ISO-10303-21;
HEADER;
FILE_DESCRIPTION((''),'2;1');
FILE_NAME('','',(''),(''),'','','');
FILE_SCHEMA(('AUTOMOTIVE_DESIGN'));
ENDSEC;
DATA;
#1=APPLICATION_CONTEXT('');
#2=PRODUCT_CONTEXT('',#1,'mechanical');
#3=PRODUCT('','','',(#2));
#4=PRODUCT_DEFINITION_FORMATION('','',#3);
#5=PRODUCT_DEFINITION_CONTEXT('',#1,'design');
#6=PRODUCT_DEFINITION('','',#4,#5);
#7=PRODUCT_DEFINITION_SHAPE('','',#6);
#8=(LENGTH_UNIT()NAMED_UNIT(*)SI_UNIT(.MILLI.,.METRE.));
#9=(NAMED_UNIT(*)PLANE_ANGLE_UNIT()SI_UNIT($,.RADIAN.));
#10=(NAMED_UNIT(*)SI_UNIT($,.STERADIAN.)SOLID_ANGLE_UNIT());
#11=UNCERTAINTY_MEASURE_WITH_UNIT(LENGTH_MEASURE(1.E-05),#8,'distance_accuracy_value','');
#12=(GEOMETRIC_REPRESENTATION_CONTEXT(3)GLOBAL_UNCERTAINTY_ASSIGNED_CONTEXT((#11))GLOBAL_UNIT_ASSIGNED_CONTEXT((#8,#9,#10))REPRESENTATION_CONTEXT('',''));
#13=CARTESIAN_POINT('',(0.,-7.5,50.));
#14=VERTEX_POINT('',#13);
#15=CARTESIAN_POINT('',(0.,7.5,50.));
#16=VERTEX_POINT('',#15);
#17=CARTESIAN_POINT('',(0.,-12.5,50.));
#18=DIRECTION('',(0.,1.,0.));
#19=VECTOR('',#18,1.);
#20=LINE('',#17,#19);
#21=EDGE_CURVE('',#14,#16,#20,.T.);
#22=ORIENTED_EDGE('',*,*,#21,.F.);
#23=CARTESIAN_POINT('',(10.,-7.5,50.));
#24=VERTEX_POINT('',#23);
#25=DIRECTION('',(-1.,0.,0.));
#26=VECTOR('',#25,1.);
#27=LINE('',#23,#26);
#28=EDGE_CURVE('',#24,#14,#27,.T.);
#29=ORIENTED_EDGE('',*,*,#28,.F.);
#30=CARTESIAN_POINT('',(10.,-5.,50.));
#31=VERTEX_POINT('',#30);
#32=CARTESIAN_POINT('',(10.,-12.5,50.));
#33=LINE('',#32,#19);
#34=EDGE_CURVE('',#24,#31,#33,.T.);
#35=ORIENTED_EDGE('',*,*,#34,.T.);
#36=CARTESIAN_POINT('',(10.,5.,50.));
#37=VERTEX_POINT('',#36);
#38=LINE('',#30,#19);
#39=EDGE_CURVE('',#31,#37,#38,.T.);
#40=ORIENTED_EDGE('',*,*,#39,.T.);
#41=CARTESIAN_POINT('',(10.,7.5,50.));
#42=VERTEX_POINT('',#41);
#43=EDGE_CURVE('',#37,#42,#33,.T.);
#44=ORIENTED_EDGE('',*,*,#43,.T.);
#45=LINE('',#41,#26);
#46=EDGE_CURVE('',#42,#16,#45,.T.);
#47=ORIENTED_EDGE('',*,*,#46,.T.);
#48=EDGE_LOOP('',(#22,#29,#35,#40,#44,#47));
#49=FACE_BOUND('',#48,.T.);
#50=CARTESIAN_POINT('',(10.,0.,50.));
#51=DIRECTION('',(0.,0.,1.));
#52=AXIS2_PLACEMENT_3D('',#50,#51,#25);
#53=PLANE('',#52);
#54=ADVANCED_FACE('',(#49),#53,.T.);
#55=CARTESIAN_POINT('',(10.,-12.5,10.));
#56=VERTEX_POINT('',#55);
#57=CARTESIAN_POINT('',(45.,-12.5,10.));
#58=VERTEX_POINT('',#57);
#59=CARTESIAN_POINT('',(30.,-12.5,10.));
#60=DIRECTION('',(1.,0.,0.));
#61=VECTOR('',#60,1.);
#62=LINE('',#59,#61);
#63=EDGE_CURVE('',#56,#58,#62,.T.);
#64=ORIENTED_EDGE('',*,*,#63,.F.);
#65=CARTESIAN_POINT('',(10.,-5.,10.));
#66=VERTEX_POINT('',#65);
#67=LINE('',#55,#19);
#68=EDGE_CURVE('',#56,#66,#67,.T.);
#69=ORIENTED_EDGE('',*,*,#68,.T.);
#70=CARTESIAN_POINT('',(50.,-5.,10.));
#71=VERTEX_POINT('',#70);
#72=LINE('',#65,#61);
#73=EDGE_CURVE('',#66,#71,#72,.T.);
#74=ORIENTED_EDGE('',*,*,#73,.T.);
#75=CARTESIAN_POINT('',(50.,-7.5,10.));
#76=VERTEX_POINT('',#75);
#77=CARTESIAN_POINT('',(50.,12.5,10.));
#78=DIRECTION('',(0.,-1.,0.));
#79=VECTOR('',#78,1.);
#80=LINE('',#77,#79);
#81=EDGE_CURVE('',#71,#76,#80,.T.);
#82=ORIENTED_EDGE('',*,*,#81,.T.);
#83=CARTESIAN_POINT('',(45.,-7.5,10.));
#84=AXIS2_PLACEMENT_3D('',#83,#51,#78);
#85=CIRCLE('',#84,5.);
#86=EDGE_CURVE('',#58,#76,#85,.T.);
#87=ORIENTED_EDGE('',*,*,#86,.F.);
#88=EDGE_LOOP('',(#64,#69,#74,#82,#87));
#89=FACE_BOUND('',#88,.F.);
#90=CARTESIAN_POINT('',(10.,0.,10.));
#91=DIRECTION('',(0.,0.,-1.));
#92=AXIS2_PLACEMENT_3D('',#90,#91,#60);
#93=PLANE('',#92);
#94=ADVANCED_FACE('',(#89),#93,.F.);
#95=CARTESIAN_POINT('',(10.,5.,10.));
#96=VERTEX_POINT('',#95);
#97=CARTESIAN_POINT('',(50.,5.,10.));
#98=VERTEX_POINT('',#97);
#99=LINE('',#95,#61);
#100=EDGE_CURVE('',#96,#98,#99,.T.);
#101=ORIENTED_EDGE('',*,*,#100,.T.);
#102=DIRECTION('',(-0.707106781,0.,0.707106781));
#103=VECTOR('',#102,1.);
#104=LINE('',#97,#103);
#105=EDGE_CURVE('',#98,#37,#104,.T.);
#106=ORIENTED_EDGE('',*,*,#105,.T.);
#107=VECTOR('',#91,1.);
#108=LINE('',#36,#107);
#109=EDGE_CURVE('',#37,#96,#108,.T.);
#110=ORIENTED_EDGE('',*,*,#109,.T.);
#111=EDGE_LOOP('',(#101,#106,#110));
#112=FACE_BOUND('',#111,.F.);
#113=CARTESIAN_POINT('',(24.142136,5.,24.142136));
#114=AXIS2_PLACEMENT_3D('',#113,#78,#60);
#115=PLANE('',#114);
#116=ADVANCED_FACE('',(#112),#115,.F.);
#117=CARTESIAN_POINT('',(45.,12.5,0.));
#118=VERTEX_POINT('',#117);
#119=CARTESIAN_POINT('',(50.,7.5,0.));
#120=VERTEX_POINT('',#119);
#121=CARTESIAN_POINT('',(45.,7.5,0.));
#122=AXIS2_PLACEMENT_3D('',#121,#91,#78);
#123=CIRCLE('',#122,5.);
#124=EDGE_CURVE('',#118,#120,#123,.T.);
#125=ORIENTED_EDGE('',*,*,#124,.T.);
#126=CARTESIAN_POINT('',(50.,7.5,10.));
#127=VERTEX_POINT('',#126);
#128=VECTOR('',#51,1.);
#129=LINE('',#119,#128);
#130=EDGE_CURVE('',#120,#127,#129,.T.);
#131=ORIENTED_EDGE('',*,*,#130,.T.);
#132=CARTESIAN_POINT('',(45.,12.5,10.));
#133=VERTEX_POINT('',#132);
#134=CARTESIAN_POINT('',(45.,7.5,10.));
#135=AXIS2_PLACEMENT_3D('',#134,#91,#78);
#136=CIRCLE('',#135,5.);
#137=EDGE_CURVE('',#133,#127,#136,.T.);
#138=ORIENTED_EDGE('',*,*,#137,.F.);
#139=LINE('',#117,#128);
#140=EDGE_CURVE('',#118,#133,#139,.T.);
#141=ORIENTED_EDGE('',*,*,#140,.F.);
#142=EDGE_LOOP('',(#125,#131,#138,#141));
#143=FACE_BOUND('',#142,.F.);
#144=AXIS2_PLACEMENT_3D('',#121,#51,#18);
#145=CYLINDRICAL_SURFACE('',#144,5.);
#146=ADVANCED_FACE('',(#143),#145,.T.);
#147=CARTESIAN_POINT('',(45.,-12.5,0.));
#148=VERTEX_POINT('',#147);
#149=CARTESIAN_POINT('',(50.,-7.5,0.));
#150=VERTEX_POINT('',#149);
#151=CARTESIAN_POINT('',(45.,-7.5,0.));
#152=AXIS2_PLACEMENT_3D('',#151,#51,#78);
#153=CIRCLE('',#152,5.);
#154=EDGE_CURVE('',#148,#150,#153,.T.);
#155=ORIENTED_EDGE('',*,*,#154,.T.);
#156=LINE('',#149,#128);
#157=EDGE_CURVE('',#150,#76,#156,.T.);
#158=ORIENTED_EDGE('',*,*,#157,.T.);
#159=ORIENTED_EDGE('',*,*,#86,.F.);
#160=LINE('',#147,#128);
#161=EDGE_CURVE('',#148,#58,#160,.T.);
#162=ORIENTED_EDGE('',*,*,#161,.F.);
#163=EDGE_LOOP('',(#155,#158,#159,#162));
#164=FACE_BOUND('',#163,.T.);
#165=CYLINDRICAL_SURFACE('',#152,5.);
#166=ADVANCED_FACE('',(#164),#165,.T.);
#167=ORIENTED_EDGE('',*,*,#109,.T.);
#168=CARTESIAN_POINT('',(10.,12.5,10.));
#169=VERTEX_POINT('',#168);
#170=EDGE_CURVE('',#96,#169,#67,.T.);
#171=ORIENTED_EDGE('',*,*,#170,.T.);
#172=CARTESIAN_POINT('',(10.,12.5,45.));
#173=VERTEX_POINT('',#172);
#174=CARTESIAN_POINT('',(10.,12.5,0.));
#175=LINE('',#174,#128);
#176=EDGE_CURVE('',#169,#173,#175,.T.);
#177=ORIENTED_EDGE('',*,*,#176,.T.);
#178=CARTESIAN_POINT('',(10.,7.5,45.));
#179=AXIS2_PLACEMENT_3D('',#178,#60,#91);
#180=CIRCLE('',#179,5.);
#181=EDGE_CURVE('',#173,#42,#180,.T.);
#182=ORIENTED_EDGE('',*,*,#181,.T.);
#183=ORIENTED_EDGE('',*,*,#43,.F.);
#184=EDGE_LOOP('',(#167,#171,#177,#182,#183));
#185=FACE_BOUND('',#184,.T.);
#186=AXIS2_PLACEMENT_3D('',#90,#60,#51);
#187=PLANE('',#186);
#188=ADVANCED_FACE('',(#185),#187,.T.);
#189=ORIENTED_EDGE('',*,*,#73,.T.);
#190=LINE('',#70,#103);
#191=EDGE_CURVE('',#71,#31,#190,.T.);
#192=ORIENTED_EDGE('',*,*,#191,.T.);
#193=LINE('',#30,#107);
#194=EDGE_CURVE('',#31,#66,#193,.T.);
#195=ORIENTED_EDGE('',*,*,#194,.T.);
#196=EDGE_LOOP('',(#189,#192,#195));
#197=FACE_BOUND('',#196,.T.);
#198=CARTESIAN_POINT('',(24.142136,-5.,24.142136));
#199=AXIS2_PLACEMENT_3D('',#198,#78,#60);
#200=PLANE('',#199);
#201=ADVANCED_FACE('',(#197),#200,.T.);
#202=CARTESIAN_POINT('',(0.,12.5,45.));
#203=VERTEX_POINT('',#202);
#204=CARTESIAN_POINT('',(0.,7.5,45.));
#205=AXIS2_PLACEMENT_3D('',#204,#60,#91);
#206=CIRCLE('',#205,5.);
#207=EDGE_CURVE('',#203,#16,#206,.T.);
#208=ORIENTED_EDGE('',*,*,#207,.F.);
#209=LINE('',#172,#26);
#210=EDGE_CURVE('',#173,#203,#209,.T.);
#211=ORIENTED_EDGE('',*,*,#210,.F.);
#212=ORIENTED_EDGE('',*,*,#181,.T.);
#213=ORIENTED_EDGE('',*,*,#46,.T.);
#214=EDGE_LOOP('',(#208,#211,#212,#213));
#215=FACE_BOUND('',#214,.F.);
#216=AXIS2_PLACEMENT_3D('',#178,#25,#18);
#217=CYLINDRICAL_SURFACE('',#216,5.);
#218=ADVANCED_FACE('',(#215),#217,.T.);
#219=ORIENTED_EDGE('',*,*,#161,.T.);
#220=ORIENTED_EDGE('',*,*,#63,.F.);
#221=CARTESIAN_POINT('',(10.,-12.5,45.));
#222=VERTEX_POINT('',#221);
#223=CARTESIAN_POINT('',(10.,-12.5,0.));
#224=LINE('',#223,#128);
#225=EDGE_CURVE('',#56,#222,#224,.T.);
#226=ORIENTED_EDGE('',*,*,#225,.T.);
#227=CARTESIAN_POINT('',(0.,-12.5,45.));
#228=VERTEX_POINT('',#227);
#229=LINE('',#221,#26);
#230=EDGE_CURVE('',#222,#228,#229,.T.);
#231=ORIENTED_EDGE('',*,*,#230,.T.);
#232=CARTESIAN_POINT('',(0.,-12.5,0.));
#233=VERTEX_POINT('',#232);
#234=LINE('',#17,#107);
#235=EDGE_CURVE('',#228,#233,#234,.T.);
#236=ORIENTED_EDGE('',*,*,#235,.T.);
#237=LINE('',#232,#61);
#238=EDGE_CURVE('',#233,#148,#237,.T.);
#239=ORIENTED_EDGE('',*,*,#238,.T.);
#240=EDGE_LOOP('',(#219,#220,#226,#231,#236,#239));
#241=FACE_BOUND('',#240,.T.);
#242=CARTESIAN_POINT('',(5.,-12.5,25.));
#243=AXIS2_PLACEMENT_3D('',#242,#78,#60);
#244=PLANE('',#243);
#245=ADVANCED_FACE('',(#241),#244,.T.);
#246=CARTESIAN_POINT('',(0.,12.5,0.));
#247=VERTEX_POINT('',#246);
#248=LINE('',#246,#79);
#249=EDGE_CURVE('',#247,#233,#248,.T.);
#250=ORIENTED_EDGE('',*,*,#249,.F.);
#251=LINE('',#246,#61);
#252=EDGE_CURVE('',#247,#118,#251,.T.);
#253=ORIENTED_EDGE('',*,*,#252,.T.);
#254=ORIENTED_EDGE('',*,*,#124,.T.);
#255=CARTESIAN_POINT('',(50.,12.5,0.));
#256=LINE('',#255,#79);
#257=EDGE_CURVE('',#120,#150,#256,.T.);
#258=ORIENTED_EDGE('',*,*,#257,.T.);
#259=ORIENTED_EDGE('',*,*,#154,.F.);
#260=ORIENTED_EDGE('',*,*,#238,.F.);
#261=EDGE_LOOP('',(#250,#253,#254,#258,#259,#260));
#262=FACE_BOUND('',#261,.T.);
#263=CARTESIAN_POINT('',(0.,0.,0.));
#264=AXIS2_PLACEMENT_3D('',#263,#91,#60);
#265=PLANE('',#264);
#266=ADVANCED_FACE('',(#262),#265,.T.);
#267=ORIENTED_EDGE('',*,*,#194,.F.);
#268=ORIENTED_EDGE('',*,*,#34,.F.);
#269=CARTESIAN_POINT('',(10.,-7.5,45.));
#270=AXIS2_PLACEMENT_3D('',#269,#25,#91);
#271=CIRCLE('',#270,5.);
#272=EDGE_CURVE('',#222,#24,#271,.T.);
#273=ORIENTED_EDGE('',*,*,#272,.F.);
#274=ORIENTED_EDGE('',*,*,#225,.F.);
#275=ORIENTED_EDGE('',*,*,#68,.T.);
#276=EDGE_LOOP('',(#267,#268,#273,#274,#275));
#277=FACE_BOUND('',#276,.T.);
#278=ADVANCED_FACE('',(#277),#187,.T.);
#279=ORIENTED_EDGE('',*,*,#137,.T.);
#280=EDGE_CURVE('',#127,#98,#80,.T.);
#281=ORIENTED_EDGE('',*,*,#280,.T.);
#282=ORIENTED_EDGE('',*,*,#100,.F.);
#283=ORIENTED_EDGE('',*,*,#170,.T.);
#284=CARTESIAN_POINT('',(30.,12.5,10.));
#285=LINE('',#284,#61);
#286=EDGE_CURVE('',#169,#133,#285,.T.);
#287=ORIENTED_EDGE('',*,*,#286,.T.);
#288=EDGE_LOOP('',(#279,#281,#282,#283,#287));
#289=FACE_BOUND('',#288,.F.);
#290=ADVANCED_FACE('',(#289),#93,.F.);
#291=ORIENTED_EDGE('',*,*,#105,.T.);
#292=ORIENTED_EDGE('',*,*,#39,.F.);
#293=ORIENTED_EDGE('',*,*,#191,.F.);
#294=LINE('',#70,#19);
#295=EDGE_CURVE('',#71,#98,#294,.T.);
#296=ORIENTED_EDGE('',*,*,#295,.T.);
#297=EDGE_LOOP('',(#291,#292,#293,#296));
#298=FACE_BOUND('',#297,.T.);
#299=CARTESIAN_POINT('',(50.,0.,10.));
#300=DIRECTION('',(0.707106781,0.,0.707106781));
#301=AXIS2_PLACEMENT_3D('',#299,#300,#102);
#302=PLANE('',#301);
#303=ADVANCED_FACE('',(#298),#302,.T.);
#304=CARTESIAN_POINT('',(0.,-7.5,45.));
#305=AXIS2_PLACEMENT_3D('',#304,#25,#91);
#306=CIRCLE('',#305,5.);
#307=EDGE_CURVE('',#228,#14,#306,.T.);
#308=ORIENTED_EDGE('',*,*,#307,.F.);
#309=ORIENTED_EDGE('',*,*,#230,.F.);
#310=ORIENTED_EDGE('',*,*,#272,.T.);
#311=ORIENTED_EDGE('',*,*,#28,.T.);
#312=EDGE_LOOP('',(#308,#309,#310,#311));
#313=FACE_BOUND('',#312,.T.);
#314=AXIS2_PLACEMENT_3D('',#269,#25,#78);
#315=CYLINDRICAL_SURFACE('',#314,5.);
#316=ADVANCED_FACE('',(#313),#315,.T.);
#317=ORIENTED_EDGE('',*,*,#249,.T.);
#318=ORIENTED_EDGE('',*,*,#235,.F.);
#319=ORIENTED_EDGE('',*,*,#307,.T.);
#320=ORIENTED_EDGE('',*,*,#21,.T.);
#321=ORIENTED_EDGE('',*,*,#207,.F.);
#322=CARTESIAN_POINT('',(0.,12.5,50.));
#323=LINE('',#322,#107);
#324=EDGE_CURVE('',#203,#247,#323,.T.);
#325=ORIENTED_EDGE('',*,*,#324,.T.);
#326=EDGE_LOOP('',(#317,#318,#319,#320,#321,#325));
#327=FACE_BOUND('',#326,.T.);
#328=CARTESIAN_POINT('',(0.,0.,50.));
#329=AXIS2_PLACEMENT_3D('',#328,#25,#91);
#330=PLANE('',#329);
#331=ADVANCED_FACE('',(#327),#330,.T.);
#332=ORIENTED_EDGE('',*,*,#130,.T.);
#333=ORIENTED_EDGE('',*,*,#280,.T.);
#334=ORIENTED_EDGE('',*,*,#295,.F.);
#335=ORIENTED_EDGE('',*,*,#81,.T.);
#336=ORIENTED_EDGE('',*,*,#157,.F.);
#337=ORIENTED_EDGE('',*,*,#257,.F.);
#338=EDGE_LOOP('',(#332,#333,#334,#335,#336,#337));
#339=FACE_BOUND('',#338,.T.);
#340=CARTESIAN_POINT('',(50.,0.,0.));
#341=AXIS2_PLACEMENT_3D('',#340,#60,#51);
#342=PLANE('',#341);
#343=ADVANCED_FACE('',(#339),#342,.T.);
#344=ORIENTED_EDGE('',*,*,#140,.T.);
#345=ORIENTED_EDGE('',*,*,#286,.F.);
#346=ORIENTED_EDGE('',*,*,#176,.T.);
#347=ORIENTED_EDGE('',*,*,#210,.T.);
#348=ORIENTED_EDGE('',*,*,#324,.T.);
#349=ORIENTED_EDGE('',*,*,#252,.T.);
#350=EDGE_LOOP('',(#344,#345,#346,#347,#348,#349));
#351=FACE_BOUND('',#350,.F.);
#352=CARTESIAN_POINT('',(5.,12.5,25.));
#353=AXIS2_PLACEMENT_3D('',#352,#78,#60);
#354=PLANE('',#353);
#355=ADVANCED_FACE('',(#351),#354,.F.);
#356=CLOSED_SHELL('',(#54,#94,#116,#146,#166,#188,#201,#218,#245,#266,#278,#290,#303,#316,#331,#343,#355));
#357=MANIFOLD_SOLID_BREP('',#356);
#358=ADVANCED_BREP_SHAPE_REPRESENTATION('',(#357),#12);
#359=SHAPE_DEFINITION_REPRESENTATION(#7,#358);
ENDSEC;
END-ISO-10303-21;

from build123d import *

# Parameters (mm, degrees)
F0_W     = 40
F0_H     = 10
F1_DEPTH = 12.5
F2_DEPTH = 5
F3_R     = 5


with BuildPart() as f1:
    # F0 (on Front) → F1 (new body, symmetric)
    with BuildSketch(Plane.XZ):
        Polygon((0, 50), (0, 0), (10, 0), (10, 10), (10, 50), align=None)
        with Locations((30, 5)):
            Rectangle(F0_W, F0_H)
    extrude(amount=F1_DEPTH, both=True)

    # F0 (on Front) → F2 (join, symmetric)
    with BuildSketch(Plane.XZ):
        Polygon((10, 50), (10, 10), (50, 10), align=None)
    extrude(amount=F2_DEPTH, both=True)

    # F3
    f3_edges = [f1.edges().sort_by_distance(p)[0] for p in [
        (50, -12.5, 5),
        (50, 12.5, 5),
        (5, 12.5, 50),
        (5, -12.5, 50),
    ]]
    fillet(f3_edges, radius=F3_R)


solid = f1.part
